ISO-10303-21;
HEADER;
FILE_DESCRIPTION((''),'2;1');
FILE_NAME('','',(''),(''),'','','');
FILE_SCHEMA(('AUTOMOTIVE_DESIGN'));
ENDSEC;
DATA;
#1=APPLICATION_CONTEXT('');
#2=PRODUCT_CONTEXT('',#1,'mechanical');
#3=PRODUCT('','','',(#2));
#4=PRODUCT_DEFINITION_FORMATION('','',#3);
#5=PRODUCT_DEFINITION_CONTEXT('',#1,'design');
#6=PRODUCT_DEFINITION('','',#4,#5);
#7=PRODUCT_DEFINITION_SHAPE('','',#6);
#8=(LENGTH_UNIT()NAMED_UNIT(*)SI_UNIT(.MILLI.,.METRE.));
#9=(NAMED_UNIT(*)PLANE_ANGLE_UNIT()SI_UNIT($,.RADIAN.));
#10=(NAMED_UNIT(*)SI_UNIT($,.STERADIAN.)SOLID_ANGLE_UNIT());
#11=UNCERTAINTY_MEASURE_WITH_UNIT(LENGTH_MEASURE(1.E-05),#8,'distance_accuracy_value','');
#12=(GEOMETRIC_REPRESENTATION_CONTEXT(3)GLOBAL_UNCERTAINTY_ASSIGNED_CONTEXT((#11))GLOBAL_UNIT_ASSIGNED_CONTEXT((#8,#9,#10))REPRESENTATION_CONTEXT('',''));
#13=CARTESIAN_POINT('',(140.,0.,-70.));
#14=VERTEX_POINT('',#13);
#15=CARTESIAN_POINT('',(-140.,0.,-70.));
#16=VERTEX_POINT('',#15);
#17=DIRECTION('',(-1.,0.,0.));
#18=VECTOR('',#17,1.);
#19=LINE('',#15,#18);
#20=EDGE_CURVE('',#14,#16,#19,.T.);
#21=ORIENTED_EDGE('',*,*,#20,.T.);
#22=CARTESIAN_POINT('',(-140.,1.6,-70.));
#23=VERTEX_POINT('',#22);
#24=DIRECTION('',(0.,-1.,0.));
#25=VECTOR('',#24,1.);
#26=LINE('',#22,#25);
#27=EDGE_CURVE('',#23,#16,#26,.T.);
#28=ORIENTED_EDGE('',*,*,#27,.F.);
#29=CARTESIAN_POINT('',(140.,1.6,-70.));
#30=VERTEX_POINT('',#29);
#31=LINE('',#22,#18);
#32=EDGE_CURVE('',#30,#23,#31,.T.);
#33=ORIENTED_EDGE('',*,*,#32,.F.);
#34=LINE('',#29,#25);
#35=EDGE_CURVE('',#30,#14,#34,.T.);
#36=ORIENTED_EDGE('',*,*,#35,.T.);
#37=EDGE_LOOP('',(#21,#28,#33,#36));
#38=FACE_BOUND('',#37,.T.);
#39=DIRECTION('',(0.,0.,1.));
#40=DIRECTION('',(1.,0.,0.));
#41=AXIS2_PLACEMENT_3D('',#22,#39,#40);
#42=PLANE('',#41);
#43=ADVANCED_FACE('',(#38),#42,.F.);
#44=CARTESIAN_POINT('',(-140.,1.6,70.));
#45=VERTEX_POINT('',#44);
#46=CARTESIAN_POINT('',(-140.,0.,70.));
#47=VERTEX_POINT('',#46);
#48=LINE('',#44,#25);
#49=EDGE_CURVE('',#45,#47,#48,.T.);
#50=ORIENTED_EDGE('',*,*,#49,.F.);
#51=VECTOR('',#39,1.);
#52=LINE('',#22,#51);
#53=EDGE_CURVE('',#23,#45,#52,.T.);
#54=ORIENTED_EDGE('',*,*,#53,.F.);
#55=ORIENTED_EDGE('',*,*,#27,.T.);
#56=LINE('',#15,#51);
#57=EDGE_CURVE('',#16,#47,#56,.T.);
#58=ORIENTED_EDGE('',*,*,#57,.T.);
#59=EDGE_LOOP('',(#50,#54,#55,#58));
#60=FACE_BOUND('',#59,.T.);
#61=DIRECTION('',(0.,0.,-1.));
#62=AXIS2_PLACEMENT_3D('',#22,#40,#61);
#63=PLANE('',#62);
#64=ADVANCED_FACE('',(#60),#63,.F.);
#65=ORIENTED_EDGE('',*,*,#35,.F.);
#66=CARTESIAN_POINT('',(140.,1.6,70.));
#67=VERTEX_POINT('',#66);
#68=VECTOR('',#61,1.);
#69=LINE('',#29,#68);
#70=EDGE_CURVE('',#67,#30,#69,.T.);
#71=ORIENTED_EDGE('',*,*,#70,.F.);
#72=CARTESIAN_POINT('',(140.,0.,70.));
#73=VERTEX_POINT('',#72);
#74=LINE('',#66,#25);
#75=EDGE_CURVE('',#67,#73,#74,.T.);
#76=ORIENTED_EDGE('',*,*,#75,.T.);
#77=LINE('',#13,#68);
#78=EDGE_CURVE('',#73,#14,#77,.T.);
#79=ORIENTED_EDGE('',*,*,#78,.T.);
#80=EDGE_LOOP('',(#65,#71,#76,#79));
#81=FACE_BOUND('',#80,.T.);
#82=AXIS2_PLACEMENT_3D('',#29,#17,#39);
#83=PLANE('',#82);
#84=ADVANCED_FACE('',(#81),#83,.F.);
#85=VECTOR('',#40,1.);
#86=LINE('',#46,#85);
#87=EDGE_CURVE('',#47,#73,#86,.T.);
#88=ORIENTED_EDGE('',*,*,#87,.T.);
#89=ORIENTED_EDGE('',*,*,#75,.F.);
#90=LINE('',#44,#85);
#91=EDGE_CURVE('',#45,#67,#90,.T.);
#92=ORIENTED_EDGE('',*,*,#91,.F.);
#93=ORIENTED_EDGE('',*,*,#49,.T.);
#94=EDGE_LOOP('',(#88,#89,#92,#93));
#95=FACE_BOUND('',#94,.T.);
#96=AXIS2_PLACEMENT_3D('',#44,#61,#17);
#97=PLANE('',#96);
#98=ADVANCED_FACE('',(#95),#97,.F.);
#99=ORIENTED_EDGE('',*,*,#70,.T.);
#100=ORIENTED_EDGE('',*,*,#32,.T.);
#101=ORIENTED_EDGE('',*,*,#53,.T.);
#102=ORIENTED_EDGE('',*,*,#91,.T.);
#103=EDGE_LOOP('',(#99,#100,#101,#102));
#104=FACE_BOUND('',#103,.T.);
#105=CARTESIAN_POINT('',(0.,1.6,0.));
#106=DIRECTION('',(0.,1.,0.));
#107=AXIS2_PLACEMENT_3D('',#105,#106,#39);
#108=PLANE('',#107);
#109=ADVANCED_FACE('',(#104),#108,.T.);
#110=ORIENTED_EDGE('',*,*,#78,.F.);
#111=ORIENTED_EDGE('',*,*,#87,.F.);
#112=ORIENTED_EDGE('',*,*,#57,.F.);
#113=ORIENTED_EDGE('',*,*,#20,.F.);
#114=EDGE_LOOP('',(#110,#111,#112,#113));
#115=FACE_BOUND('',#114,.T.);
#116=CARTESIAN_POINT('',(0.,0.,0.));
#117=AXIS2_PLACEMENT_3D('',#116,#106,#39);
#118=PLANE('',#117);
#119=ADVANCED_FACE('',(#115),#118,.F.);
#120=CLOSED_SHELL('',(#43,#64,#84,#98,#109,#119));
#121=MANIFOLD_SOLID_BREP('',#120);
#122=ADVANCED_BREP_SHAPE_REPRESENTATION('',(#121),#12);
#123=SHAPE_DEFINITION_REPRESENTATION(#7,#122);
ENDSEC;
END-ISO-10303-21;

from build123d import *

# Parameters (mm, degrees)
SKETCH_1_W      = 280
SKETCH_1_H      = 140
EXTRUDE_1_DEPTH = 1.6


with BuildPart() as part:
    # Эскиз1 → Бобышка-Вытянуть1 (new body)
    with BuildSketch(Plane(origin=(0, 0, 0), x_dir=(1, 0, 0), z_dir=(0, 1, 0))):
        Rectangle(SKETCH_1_W, SKETCH_1_H)
    extrude(amount=EXTRUDE_1_DEPTH)


solid = part.part
